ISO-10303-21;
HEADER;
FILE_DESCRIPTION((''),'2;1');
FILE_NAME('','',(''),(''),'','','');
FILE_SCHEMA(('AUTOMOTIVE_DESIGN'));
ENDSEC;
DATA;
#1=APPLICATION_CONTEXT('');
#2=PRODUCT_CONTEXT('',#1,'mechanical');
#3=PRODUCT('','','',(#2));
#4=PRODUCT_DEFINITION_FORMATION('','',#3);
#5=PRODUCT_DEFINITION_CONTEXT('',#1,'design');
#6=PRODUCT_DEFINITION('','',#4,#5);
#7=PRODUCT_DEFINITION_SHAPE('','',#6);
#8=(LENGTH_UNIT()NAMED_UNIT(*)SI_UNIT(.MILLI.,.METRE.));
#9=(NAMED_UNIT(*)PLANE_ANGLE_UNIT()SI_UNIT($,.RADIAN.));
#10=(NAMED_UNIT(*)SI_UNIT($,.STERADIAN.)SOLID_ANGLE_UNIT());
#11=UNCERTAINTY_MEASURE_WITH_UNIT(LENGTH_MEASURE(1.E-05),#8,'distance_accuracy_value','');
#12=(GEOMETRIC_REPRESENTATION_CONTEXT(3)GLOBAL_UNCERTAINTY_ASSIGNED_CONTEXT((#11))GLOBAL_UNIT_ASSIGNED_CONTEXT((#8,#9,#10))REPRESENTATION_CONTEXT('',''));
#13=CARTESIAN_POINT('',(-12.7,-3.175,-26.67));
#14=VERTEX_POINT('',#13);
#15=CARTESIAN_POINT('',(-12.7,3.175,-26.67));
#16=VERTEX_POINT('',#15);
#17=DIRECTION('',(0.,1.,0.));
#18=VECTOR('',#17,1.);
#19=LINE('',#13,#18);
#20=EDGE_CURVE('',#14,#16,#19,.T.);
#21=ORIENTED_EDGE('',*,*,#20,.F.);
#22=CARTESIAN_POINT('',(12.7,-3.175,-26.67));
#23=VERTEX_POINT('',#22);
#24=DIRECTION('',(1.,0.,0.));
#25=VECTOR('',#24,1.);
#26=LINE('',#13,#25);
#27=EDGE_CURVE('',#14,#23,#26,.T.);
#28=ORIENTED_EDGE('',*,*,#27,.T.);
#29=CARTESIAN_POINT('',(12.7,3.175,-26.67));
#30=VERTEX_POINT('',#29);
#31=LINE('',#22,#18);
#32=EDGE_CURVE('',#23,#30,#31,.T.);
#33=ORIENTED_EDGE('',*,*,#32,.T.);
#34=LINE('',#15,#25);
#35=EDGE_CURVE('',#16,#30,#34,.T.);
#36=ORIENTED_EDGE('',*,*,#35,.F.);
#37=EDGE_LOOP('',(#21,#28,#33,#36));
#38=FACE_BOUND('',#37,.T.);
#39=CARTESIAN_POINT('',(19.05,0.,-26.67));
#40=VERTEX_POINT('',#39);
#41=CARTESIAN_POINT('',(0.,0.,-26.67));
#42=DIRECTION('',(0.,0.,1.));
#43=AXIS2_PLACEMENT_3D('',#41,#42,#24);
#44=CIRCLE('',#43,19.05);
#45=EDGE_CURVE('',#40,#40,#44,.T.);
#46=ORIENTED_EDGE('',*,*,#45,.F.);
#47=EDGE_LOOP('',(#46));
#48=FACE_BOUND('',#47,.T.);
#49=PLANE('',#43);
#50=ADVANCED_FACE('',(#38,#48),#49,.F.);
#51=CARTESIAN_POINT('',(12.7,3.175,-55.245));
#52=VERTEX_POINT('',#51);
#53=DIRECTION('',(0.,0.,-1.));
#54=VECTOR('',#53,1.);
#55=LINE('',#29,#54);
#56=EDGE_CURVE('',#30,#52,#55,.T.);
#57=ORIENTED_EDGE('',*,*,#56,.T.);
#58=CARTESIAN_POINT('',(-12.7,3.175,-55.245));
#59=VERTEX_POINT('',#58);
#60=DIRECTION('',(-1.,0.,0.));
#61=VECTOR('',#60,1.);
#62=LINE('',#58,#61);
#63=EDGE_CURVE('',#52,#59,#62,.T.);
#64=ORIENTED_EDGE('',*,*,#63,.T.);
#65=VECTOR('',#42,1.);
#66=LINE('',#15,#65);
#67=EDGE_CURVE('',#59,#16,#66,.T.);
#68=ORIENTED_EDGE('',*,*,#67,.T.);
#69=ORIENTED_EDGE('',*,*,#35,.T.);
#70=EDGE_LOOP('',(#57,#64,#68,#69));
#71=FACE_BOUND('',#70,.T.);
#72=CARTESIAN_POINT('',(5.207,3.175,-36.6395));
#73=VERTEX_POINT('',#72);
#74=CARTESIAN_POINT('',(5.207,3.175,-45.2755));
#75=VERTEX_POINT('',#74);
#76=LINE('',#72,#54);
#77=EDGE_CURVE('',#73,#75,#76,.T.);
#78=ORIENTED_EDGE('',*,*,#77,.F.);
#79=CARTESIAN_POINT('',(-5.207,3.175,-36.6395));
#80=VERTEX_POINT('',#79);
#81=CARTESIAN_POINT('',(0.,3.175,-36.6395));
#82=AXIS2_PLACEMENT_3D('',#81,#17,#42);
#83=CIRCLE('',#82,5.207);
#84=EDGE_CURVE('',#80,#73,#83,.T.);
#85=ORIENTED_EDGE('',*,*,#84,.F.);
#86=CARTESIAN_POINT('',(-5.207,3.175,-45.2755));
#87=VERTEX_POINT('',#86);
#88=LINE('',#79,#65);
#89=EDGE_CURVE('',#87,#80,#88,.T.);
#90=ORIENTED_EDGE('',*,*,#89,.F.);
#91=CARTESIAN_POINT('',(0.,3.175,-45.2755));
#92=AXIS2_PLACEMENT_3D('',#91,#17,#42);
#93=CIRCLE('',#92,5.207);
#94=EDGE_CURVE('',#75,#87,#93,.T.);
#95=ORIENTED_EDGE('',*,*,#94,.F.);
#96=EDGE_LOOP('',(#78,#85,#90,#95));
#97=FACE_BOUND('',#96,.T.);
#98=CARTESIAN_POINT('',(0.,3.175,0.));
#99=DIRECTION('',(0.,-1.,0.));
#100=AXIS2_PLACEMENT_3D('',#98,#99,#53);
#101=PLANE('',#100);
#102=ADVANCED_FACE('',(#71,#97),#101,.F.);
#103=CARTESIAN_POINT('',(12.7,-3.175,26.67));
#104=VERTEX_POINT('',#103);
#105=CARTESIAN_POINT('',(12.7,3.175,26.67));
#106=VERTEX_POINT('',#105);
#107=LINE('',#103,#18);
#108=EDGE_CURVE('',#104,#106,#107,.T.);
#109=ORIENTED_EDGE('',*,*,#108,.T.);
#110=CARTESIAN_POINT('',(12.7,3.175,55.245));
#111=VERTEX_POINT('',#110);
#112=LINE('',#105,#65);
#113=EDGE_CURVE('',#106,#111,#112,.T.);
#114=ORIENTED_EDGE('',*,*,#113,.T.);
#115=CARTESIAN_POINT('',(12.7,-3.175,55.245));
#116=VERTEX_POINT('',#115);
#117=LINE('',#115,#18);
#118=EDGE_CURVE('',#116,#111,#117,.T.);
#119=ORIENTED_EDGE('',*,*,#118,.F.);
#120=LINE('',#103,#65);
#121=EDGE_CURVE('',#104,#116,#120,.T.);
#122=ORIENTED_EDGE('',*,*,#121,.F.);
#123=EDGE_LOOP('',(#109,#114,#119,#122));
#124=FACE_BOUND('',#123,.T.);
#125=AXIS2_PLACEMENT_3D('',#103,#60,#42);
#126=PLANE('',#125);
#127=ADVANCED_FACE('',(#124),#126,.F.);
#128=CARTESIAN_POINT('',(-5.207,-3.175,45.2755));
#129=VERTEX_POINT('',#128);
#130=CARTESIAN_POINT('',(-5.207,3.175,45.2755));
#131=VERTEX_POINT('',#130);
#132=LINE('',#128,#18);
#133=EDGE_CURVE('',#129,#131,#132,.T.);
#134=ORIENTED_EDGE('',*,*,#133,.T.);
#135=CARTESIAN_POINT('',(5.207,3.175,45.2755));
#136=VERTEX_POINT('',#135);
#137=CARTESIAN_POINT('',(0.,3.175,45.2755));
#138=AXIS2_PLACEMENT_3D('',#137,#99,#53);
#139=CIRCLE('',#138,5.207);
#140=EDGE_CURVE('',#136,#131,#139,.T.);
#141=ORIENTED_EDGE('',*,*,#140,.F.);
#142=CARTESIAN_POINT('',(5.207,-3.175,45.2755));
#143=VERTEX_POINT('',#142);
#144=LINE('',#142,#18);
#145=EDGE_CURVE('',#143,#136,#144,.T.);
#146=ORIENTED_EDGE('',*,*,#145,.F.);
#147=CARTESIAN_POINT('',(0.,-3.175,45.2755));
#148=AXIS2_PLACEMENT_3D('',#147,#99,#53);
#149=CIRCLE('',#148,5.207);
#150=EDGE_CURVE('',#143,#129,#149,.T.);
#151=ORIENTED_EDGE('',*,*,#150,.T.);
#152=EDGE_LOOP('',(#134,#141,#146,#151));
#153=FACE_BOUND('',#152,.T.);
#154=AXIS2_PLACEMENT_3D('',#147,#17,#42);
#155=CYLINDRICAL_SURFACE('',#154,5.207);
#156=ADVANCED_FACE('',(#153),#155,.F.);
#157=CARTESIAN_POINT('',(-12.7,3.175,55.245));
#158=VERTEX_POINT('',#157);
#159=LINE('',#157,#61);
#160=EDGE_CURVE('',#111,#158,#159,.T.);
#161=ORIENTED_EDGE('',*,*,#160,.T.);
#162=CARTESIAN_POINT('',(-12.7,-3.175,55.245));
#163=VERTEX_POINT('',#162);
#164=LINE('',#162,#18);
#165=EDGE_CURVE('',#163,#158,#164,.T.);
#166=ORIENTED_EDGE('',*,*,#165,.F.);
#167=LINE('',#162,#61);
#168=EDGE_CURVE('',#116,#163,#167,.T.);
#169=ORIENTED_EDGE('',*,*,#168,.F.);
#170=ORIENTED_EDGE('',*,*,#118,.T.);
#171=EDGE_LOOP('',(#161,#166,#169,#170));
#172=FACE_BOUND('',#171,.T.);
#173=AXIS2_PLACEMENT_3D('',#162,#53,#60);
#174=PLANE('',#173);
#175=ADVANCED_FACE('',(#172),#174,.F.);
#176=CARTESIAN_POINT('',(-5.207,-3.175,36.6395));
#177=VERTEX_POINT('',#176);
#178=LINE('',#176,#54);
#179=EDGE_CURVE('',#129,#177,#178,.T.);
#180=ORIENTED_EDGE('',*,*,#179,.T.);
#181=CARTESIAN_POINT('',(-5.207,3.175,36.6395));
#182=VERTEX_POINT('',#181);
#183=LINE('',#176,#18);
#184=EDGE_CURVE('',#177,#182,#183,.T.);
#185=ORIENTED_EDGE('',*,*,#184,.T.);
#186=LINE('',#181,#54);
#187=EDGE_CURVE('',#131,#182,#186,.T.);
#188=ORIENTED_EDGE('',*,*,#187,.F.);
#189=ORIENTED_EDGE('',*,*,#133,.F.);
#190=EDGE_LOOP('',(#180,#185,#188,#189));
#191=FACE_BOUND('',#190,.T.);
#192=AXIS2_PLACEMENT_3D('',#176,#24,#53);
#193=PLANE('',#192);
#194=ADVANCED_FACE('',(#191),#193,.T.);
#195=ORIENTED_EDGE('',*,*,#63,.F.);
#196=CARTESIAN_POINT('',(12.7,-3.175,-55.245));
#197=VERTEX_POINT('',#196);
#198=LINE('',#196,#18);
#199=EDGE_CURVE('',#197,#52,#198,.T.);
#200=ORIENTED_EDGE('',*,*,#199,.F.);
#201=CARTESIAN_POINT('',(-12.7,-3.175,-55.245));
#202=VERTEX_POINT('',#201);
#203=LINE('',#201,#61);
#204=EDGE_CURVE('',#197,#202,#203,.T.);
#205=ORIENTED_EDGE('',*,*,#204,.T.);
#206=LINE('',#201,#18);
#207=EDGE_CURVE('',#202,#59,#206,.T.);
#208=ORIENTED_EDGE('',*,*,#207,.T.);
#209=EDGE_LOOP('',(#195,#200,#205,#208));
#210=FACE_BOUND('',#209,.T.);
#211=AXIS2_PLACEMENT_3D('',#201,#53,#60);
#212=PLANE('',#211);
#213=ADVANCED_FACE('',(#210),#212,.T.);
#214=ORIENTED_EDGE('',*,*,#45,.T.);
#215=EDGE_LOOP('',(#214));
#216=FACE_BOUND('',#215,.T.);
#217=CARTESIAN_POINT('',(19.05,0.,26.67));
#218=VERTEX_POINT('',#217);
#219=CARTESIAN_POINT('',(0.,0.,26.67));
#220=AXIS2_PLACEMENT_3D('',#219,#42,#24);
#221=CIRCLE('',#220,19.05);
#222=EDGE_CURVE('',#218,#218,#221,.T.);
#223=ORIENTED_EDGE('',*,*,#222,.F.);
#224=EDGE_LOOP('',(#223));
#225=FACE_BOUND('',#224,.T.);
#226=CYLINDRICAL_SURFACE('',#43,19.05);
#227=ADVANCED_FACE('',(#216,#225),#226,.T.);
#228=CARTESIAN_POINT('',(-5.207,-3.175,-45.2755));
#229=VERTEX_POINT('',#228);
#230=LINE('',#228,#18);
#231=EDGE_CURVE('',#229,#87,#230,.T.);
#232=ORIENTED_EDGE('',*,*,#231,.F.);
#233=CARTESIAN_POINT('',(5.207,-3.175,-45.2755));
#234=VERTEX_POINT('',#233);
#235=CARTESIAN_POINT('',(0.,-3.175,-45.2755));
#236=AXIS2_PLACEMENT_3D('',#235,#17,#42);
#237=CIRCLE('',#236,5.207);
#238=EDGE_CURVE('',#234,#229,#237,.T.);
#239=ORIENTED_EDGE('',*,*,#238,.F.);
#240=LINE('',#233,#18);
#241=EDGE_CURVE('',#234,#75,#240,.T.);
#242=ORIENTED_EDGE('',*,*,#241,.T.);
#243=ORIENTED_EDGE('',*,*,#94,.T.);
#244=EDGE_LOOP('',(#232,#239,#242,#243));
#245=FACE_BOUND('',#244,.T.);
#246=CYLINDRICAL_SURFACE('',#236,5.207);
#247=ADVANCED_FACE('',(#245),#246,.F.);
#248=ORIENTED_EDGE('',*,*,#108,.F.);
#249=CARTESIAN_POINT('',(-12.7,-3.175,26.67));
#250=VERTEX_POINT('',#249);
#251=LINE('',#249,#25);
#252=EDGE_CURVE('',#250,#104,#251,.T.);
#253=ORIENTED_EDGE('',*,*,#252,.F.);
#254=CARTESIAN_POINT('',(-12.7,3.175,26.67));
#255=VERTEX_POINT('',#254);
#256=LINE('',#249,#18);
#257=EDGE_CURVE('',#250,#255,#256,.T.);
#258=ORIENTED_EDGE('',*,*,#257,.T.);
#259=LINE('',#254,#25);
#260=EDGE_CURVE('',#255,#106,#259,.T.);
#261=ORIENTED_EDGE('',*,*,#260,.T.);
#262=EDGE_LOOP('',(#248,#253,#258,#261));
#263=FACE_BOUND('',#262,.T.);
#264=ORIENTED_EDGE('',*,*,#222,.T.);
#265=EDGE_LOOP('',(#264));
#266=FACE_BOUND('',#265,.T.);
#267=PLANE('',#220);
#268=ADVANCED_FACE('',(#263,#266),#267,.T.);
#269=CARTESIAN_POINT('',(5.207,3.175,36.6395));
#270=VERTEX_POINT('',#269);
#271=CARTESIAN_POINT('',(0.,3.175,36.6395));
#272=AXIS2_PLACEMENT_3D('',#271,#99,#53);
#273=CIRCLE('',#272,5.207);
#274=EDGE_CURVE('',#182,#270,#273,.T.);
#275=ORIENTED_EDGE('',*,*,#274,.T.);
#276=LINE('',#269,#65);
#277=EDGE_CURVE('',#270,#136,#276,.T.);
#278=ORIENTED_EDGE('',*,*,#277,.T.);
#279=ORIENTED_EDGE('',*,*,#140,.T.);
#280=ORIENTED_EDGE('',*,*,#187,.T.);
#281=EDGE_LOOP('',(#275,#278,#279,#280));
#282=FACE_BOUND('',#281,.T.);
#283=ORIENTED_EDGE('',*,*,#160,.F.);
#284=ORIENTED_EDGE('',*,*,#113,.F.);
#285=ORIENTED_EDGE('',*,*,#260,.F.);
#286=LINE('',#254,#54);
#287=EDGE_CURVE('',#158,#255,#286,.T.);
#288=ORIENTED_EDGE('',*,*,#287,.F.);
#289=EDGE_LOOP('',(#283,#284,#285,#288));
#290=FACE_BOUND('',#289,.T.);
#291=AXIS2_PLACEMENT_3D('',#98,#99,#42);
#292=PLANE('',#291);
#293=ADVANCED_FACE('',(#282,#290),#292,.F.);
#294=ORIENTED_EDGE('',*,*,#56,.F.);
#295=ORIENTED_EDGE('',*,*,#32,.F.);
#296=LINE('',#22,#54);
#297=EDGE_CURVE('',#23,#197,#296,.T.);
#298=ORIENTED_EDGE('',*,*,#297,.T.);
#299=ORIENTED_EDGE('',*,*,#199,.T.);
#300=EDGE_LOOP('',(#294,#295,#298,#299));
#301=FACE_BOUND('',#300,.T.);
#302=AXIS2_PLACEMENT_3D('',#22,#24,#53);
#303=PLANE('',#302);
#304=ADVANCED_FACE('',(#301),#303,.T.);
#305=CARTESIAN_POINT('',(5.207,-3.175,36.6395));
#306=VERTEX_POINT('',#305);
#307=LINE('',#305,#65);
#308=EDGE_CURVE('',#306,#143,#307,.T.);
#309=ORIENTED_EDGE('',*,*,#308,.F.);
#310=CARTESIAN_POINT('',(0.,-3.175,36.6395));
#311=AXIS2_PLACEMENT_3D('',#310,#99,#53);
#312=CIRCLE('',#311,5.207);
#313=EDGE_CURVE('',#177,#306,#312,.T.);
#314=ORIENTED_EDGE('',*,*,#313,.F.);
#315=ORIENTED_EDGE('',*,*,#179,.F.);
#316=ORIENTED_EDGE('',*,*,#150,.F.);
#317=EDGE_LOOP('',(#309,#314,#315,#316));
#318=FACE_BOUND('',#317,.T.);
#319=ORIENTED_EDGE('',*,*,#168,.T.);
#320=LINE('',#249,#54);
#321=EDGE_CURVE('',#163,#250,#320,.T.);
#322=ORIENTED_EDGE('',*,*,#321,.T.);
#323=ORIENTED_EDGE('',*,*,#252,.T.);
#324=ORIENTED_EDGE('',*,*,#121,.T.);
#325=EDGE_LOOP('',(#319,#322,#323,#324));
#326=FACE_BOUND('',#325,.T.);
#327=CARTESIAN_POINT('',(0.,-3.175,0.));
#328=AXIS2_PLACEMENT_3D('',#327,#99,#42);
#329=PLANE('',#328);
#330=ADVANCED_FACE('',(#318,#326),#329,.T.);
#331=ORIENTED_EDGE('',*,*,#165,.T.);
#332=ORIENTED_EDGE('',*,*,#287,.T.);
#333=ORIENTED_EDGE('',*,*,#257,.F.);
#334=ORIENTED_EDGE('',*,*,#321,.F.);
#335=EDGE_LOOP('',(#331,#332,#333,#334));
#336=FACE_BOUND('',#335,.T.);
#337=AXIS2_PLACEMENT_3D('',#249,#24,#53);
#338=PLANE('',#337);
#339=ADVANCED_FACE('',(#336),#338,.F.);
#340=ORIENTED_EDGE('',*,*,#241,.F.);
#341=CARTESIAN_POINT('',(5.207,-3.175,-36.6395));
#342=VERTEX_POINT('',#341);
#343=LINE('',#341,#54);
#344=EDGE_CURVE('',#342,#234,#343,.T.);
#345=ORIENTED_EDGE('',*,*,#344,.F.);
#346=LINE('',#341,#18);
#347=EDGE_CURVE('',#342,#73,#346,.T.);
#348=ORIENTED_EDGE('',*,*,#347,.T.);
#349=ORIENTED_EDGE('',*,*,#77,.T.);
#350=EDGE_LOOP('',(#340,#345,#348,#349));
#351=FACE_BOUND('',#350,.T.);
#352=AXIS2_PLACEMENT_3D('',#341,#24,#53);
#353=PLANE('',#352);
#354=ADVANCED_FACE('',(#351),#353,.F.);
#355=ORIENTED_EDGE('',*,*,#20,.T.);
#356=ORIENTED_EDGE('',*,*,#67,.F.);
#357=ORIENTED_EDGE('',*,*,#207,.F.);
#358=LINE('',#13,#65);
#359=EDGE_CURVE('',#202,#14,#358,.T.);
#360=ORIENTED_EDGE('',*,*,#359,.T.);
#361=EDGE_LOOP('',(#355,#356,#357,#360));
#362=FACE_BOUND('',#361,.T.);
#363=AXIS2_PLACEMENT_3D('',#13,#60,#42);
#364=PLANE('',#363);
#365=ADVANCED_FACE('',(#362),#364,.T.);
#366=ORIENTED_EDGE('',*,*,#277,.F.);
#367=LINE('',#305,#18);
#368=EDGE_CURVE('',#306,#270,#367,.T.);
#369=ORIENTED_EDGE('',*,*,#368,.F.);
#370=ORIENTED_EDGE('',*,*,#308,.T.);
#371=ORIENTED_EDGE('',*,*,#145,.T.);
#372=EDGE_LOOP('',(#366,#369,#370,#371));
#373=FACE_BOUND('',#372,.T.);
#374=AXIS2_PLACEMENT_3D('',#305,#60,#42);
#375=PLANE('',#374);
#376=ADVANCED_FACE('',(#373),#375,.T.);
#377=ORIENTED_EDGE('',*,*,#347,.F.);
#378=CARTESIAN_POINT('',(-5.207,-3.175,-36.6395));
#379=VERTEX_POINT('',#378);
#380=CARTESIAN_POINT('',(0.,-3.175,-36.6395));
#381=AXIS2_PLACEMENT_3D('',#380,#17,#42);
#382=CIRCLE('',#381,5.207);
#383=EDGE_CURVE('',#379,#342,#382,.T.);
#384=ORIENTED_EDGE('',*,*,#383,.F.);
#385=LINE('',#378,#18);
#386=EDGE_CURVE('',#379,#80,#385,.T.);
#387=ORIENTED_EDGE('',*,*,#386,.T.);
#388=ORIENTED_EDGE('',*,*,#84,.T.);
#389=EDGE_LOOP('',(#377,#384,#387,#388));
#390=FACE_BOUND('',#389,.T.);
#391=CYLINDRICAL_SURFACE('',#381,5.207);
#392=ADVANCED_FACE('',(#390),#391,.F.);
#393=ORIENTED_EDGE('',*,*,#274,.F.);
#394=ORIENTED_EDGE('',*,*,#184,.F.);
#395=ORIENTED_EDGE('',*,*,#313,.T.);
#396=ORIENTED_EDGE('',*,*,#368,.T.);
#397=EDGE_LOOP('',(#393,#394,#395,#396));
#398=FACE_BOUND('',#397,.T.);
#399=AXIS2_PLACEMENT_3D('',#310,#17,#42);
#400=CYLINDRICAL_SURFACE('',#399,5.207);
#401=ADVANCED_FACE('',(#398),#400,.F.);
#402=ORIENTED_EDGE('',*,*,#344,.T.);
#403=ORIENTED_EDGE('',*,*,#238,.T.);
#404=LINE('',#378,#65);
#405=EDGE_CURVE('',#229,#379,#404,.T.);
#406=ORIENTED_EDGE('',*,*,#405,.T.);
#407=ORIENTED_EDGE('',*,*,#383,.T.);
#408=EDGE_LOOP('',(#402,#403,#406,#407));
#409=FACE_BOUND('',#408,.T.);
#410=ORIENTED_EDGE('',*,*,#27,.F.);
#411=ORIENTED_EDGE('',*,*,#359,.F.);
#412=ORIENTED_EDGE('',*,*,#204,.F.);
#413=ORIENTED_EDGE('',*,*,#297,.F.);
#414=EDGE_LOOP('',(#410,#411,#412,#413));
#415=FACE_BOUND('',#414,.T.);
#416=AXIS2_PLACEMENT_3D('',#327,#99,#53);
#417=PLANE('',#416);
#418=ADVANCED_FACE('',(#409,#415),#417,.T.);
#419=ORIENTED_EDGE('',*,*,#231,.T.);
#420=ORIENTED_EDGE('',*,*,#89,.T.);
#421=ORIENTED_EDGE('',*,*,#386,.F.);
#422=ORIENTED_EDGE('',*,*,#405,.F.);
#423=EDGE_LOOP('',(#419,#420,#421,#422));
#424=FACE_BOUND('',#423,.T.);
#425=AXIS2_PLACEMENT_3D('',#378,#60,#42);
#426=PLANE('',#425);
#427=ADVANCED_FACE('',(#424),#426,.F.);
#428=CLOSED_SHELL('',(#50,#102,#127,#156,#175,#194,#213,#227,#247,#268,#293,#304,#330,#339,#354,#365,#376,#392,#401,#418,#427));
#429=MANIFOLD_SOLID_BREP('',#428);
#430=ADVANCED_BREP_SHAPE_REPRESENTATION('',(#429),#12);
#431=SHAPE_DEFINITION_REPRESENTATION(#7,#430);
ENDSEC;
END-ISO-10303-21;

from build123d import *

# Parameters (mm, degrees)
FUSE_DEPTH      = 26.67
FUSE_DEPTH_BACK = 26.67
SKETCH1_R       = 19.05
SKETCH2_W       = 25.4
SKETCH2_H       = 28.575
TAB_DEPTH       = 3.175


with BuildPart() as part:
    # Sketch1 → Fuse (new, two sides: drawn at the far end of the back side and taken through both)
    with BuildSketch(Plane.XY.offset(-FUSE_DEPTH_BACK)):
        Circle(SKETCH1_R)
    extrude(amount=FUSE_DEPTH + FUSE_DEPTH_BACK)

    # Sketch2 → Tab (add, symmetric)
    with BuildSketch(Plane(origin=(0, 0, 0), x_dir=(1, 0, 0), z_dir=(0, 1, 0))):
        with Locations((0, 40.9575)):
            Rectangle(SKETCH2_W, SKETCH2_H)
        with BuildLine():
            Line((-5.207, 36.6395), (-5.207, 45.2755))
            ThreePointArc((-5.207, 45.2755), (0, 50.4825), (5.207, 45.2755))
            Line((5.207, 45.2755), (5.207, 36.6395))
            ThreePointArc((5.207, 36.6395), (0, 31.4325), (-5.207, 36.6395))
        make_face(mode=Mode.SUBTRACT)
    tab = extrude(amount=TAB_DEPTH, both=True)

    # Tab Mirror: Tab across plane
    add(tab.mirror(Plane.XY))


solid = part.part
